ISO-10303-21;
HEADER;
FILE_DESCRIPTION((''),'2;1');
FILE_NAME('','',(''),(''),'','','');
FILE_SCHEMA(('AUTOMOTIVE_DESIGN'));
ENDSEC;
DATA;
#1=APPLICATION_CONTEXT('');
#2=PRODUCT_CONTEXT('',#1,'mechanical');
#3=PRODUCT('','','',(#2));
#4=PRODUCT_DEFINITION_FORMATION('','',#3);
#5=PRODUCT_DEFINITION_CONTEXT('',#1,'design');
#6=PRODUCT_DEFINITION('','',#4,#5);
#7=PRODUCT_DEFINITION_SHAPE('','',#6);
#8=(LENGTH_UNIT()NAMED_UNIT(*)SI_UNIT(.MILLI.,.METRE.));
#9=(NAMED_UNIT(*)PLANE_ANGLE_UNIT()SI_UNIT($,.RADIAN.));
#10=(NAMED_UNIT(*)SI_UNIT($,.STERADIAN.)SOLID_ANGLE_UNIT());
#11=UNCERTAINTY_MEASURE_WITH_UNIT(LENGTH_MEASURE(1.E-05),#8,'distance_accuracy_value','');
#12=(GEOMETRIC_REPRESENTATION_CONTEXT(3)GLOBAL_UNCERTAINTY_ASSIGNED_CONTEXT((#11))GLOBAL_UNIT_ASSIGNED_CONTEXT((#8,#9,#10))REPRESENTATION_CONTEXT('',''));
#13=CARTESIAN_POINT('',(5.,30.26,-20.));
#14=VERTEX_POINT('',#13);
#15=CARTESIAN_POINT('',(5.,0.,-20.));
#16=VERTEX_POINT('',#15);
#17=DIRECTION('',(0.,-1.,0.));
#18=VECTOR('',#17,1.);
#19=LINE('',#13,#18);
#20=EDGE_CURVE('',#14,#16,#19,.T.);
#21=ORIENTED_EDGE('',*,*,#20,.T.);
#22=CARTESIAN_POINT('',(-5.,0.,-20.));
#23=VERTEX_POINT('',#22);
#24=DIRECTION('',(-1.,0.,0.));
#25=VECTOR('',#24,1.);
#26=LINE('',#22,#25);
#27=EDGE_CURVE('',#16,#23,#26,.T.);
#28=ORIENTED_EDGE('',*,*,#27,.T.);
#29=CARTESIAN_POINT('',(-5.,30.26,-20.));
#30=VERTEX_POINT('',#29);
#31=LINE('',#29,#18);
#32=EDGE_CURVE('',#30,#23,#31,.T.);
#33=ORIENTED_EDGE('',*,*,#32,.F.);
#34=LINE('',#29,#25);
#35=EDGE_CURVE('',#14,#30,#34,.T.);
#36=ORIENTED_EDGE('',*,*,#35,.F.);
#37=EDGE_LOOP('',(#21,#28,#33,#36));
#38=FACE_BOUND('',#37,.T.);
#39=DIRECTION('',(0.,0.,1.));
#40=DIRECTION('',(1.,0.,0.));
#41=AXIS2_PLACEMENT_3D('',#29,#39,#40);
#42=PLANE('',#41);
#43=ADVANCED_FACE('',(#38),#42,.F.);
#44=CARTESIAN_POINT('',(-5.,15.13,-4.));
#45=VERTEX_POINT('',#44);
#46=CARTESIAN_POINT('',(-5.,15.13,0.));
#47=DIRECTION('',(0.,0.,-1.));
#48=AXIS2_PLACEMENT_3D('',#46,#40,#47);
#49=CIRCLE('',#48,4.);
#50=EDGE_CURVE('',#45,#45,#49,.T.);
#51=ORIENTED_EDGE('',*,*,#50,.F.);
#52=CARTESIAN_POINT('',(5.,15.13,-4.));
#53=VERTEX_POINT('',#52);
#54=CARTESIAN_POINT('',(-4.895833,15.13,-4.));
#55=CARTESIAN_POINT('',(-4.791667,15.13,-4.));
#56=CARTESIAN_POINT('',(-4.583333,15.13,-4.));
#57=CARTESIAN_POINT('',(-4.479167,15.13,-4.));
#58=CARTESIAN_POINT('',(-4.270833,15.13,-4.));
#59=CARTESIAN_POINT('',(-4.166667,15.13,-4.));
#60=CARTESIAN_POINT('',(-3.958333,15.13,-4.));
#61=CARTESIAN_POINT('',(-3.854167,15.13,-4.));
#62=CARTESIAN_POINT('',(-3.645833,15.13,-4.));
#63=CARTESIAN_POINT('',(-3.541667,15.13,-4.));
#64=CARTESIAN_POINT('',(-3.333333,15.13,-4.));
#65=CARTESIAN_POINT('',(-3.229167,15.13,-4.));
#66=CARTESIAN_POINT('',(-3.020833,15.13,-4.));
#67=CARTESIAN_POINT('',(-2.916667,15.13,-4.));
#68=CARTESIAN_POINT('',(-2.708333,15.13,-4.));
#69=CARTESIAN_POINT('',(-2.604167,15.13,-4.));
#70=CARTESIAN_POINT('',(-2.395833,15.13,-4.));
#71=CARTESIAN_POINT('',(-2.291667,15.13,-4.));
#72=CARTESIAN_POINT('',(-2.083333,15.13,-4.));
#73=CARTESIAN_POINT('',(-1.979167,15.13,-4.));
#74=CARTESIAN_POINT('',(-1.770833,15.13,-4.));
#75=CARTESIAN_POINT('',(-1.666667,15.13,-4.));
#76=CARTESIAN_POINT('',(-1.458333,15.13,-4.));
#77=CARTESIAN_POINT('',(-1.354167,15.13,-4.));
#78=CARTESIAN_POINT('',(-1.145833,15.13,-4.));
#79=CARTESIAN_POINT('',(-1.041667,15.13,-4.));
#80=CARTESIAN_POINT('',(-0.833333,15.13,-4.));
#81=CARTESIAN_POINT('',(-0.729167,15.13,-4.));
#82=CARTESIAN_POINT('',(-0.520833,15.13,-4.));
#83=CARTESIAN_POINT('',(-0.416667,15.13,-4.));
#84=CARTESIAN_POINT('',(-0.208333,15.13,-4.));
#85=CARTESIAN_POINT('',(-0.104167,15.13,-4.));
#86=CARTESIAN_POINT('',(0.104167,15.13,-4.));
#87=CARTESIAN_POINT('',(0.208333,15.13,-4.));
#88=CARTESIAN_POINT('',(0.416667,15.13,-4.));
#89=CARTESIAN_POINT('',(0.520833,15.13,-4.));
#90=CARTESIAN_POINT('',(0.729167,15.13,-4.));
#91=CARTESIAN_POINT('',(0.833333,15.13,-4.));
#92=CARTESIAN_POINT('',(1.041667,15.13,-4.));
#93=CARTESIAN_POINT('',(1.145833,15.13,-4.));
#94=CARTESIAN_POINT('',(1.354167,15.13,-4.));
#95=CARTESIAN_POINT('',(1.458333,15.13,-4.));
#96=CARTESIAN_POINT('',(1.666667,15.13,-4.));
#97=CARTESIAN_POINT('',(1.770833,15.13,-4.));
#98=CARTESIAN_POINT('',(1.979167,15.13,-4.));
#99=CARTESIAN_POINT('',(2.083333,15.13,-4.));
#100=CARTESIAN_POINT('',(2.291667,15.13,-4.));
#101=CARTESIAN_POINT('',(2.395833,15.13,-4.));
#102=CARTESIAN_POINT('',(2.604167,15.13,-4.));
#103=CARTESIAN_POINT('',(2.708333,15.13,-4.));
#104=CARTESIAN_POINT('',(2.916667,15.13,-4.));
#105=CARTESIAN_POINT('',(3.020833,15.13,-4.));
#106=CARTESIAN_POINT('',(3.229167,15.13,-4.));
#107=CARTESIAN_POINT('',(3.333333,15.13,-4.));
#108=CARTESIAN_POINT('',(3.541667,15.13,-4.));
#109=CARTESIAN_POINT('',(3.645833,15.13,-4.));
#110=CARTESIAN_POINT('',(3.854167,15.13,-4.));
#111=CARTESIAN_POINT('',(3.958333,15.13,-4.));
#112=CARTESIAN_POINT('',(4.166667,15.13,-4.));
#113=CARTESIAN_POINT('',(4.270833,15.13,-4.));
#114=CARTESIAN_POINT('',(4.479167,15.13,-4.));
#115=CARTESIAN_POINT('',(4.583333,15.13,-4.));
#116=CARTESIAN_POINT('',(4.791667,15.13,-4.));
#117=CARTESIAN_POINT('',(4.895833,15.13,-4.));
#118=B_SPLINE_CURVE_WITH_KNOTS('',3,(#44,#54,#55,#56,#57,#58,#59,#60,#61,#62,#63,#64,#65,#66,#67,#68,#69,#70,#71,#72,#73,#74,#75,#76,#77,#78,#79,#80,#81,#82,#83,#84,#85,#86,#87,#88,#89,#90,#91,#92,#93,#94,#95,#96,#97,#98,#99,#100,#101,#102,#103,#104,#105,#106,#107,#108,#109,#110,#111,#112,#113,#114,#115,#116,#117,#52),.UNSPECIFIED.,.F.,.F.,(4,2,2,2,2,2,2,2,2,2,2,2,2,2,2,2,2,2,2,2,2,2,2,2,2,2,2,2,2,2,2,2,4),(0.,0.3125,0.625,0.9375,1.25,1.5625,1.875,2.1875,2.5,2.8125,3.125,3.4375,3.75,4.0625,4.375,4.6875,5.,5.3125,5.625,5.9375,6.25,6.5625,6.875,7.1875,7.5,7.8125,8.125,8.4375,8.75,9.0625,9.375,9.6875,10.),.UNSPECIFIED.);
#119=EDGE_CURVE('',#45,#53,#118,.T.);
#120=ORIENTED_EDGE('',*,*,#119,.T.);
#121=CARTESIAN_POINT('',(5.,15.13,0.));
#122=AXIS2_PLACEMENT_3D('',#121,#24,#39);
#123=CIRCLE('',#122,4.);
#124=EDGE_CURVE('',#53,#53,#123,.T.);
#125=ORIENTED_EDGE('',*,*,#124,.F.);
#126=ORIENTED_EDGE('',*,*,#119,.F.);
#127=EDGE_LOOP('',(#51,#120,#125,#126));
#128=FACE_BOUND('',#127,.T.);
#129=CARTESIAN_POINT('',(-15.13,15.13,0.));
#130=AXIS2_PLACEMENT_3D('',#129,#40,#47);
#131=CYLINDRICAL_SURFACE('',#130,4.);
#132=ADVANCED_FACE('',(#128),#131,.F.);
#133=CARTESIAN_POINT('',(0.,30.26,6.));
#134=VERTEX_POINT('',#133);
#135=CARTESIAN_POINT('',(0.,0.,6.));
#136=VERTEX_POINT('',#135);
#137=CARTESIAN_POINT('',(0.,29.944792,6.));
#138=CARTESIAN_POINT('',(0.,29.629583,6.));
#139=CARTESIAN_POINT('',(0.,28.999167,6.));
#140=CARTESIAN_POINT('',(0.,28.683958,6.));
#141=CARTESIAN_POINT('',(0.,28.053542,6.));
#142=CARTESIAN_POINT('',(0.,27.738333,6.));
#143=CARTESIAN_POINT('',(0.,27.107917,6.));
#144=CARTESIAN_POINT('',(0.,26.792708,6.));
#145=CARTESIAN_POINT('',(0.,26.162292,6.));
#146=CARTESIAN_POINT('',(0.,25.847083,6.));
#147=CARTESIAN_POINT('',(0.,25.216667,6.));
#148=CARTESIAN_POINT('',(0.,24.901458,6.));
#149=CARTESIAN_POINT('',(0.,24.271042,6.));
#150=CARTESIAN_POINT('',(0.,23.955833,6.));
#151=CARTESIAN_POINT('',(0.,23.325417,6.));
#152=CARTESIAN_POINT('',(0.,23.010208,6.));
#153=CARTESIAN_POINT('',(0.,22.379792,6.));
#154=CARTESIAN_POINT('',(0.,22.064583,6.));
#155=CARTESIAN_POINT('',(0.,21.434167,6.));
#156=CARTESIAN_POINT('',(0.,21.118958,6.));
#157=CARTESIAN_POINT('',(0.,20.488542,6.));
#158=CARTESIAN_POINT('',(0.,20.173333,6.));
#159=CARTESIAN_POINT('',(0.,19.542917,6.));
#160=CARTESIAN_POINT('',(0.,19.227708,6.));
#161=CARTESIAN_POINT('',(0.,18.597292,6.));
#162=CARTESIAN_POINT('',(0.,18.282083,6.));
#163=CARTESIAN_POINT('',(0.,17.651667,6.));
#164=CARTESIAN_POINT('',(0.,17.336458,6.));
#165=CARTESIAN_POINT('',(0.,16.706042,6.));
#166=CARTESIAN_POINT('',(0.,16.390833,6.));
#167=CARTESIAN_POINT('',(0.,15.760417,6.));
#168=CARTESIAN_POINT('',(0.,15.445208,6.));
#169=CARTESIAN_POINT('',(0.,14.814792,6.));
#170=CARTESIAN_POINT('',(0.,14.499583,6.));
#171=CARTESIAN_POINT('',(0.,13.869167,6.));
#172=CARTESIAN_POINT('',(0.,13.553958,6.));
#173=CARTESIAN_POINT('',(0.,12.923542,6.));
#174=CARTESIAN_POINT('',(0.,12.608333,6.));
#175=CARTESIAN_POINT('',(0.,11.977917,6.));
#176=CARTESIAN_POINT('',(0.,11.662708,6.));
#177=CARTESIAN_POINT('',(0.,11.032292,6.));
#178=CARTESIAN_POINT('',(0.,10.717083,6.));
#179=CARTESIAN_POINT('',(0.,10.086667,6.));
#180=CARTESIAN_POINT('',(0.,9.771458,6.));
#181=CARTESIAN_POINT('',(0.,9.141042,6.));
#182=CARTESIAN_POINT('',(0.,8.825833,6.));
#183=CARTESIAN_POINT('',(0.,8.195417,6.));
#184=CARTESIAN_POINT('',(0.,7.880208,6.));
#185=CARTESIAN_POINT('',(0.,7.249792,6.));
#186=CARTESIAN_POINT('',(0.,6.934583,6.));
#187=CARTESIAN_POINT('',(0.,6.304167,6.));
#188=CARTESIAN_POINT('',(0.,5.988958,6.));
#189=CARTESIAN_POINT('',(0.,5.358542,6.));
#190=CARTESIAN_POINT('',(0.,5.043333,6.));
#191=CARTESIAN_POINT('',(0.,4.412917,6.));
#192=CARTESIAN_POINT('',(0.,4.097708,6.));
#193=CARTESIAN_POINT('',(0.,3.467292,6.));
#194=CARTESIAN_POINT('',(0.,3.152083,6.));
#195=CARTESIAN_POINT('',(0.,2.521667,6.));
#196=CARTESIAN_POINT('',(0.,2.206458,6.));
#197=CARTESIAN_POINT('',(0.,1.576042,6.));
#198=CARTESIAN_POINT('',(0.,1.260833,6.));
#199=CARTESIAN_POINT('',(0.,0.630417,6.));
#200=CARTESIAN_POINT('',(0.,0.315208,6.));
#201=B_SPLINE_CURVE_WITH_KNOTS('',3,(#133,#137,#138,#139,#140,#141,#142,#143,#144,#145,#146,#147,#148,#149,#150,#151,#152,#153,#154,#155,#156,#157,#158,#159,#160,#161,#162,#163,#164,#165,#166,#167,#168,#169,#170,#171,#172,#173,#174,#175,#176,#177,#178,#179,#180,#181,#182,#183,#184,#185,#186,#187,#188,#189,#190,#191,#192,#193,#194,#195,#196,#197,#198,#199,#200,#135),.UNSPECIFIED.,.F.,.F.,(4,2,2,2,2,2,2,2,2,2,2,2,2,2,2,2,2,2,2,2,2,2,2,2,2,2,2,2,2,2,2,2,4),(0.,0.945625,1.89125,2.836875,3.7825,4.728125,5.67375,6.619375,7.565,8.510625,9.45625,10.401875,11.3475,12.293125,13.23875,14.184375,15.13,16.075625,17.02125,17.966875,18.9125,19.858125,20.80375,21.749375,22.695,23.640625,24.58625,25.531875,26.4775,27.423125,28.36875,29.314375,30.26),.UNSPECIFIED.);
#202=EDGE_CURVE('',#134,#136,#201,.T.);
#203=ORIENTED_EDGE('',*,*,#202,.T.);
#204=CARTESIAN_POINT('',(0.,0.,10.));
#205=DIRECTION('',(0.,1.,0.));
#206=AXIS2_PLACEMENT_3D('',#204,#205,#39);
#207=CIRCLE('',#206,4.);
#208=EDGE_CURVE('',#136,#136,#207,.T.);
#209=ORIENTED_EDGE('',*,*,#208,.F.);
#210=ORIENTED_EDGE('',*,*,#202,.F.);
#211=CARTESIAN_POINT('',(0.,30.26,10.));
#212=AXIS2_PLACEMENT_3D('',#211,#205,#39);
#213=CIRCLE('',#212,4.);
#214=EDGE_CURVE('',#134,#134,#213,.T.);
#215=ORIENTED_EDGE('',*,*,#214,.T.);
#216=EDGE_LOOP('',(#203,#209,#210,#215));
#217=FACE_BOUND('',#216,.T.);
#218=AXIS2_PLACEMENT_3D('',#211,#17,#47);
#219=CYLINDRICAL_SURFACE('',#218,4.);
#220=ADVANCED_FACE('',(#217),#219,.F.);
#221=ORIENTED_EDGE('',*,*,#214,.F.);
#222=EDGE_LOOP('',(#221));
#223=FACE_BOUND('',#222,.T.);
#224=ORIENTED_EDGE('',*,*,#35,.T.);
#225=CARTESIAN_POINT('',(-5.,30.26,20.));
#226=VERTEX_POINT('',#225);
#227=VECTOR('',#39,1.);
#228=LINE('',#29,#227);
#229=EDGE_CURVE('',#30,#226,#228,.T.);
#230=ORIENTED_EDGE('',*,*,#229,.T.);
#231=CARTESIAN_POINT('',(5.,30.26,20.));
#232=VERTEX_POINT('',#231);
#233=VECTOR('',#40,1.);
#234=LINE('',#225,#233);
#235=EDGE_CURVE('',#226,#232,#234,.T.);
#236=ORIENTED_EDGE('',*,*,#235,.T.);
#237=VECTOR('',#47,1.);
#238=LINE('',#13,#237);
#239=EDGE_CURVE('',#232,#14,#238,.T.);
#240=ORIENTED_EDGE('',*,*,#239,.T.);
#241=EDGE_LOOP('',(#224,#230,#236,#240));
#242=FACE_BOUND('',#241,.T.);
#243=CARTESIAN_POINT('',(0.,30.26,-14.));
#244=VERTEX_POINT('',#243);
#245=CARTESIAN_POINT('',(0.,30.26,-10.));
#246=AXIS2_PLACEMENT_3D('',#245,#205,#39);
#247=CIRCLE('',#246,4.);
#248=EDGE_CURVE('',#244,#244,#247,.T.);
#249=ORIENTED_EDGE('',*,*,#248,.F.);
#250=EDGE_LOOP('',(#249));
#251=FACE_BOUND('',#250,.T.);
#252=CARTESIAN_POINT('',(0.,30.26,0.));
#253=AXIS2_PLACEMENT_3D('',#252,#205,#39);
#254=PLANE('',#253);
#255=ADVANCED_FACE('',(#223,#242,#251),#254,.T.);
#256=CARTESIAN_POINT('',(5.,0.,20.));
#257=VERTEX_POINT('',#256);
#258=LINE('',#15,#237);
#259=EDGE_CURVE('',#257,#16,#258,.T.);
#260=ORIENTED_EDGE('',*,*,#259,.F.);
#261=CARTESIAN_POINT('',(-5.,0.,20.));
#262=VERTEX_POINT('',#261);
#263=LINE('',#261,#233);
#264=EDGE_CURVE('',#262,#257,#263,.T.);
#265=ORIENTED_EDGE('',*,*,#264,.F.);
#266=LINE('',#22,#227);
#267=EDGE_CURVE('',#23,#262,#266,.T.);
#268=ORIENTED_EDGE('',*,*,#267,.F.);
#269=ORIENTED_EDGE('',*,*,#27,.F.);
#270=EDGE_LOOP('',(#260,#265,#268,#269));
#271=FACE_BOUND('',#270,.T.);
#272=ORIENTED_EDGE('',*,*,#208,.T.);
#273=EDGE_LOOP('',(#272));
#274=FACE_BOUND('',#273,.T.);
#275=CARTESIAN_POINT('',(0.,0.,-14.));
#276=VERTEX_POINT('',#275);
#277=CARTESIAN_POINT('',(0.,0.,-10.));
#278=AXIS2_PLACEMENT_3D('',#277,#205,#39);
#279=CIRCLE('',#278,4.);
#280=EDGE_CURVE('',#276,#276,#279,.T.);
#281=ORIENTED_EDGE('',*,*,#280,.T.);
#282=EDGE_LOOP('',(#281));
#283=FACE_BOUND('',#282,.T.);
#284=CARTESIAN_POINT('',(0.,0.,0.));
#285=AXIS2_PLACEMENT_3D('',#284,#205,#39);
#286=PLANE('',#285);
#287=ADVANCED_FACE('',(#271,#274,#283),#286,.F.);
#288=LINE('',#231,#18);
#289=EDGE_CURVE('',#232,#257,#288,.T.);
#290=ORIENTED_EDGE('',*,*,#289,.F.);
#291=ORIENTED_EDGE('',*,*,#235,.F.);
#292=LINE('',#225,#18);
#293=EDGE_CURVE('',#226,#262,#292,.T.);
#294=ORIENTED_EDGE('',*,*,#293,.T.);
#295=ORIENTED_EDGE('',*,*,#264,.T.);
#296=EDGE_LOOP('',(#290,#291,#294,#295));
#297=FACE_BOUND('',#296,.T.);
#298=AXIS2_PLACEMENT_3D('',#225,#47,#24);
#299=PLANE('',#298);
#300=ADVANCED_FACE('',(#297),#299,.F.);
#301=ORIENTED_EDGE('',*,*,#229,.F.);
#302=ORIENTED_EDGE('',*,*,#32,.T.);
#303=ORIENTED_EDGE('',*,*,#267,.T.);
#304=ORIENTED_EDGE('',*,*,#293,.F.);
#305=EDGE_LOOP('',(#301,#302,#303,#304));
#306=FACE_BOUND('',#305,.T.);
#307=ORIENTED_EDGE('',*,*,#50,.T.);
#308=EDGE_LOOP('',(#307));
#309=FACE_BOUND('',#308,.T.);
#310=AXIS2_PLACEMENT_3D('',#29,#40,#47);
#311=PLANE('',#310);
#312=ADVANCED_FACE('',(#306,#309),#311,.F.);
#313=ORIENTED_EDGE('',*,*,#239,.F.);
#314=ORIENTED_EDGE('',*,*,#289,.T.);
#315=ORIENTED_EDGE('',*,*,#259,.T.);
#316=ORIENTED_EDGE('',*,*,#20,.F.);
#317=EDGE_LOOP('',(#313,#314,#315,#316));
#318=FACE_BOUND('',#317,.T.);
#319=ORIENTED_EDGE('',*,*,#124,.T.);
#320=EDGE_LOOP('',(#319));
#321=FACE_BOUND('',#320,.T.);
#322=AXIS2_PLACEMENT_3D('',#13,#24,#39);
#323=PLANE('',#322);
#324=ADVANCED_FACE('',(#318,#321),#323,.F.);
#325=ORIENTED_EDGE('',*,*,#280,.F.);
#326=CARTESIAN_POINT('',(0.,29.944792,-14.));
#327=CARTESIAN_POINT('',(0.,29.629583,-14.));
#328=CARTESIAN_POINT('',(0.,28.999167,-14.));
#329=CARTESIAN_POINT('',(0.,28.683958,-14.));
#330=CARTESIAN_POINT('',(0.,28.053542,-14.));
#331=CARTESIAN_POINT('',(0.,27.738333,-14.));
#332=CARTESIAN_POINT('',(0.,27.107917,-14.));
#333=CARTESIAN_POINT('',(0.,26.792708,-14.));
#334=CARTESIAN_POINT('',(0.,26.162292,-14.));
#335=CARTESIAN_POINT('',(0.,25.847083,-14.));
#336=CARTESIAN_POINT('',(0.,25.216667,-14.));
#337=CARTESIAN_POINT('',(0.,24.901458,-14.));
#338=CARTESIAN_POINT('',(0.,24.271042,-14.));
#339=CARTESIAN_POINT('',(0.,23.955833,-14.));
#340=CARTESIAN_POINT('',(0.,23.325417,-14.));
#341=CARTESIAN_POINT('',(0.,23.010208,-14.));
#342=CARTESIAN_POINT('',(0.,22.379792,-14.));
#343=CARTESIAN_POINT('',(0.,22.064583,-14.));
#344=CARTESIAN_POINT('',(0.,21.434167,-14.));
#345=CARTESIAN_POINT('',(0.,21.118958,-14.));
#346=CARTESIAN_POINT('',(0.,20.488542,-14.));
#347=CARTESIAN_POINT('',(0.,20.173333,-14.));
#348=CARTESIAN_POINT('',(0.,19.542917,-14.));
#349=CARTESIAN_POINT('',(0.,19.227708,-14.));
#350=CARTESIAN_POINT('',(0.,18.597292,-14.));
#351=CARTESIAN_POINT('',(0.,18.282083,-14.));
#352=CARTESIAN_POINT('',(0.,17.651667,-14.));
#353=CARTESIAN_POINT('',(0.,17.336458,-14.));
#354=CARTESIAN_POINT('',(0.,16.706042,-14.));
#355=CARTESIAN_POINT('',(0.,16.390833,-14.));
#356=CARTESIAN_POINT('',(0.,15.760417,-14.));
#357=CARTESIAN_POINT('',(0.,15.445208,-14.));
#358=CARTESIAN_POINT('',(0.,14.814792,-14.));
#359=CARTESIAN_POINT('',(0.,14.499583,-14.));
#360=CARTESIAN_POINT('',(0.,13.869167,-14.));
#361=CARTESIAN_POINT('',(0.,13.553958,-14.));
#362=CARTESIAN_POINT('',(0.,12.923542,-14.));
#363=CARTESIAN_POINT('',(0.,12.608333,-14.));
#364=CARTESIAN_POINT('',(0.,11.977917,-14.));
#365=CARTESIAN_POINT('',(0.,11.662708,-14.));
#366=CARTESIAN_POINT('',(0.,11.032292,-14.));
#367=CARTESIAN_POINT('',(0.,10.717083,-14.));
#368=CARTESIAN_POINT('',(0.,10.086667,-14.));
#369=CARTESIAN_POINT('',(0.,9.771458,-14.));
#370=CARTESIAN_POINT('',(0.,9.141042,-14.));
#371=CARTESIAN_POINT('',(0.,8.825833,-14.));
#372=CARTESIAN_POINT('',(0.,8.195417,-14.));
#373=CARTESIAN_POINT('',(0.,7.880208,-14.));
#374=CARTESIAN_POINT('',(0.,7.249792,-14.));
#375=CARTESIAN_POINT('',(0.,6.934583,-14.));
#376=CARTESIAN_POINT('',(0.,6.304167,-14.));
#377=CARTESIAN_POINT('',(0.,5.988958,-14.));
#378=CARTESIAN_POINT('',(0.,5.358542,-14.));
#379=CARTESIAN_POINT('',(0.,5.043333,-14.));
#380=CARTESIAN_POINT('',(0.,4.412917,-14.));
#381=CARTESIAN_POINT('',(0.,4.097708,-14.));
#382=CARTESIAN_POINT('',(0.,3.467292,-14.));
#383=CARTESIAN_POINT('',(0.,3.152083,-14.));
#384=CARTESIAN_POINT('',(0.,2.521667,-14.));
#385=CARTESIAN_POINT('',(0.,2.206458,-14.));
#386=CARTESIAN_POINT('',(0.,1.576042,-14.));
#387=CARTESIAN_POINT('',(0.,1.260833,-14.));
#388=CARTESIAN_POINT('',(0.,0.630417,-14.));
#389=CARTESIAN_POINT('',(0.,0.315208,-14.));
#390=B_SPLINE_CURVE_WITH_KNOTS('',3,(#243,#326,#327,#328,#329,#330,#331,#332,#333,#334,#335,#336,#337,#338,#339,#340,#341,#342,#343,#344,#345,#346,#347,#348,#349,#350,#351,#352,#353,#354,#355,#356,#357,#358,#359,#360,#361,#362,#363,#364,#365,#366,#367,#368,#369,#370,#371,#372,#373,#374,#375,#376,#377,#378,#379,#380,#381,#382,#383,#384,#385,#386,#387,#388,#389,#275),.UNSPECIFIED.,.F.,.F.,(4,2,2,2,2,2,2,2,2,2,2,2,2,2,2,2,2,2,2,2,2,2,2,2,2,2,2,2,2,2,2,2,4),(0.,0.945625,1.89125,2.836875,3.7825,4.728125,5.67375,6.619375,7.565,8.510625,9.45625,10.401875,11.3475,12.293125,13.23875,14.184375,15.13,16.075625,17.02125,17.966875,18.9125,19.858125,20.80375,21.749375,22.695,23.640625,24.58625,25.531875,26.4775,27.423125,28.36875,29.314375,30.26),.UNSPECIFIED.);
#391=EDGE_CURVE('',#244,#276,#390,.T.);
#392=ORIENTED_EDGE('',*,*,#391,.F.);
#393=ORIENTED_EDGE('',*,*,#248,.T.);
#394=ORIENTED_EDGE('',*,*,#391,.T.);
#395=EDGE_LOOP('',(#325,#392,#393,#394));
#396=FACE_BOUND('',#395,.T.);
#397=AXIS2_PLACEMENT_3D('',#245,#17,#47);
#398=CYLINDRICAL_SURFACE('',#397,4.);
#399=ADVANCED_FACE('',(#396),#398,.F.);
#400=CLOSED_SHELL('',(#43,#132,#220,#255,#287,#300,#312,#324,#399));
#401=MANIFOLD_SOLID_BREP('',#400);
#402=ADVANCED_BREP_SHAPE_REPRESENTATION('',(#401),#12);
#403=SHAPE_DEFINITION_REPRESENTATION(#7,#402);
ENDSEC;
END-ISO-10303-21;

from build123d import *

# Parameters (mm, degrees)
CROQUIS1_W              = 10
CROQUIS1_H              = 40
SALIENTE_EXTRUIR1_DEPTH = 30.26
CROQUIS2_R              = 4
CORTAR_EXTRUIR1_DEPTH   = 30.26
CROQUIS5_R              = 4
CORTAR_EXTRUIR2_DEPTH   = 15.13


with BuildPart() as part:
    # Croquis1 → Saliente-Extruir1 (new body)
    with BuildSketch(Plane(origin=(0, 0, 0), x_dir=(1, 0, 0), z_dir=(0, 1, 0))):
        Rectangle(CROQUIS1_W, CROQUIS1_H)
    extrude(amount=SALIENTE_EXTRUIR1_DEPTH)

    # Croquis2 → Cortar-Extruir1 (cut)
    with BuildSketch(Plane(origin=(0, 0, 0), x_dir=(1, 0, 0), z_dir=(0, 1, 0))):
        with Locations(Location((0, -10, 0), (0, 0, 90))):
            Circle(CROQUIS2_R)
        with Locations(Location((0, 10, 0), (0, 0, 90))):
            Circle(CROQUIS2_R)
    extrude(amount=CORTAR_EXTRUIR1_DEPTH, mode=Mode.SUBTRACT)

    # Croquis5 → Cortar-Extruir2 (cut, symmetric)
    with BuildSketch(Plane(origin=(0, 0, 0), x_dir=(0, 0, -1), z_dir=(1, 0, 0))):
        with Locations((0, 15.13)):
            Circle(CROQUIS5_R)
    extrude(amount=CORTAR_EXTRUIR2_DEPTH, both=True, mode=Mode.SUBTRACT)


solid = part.part
